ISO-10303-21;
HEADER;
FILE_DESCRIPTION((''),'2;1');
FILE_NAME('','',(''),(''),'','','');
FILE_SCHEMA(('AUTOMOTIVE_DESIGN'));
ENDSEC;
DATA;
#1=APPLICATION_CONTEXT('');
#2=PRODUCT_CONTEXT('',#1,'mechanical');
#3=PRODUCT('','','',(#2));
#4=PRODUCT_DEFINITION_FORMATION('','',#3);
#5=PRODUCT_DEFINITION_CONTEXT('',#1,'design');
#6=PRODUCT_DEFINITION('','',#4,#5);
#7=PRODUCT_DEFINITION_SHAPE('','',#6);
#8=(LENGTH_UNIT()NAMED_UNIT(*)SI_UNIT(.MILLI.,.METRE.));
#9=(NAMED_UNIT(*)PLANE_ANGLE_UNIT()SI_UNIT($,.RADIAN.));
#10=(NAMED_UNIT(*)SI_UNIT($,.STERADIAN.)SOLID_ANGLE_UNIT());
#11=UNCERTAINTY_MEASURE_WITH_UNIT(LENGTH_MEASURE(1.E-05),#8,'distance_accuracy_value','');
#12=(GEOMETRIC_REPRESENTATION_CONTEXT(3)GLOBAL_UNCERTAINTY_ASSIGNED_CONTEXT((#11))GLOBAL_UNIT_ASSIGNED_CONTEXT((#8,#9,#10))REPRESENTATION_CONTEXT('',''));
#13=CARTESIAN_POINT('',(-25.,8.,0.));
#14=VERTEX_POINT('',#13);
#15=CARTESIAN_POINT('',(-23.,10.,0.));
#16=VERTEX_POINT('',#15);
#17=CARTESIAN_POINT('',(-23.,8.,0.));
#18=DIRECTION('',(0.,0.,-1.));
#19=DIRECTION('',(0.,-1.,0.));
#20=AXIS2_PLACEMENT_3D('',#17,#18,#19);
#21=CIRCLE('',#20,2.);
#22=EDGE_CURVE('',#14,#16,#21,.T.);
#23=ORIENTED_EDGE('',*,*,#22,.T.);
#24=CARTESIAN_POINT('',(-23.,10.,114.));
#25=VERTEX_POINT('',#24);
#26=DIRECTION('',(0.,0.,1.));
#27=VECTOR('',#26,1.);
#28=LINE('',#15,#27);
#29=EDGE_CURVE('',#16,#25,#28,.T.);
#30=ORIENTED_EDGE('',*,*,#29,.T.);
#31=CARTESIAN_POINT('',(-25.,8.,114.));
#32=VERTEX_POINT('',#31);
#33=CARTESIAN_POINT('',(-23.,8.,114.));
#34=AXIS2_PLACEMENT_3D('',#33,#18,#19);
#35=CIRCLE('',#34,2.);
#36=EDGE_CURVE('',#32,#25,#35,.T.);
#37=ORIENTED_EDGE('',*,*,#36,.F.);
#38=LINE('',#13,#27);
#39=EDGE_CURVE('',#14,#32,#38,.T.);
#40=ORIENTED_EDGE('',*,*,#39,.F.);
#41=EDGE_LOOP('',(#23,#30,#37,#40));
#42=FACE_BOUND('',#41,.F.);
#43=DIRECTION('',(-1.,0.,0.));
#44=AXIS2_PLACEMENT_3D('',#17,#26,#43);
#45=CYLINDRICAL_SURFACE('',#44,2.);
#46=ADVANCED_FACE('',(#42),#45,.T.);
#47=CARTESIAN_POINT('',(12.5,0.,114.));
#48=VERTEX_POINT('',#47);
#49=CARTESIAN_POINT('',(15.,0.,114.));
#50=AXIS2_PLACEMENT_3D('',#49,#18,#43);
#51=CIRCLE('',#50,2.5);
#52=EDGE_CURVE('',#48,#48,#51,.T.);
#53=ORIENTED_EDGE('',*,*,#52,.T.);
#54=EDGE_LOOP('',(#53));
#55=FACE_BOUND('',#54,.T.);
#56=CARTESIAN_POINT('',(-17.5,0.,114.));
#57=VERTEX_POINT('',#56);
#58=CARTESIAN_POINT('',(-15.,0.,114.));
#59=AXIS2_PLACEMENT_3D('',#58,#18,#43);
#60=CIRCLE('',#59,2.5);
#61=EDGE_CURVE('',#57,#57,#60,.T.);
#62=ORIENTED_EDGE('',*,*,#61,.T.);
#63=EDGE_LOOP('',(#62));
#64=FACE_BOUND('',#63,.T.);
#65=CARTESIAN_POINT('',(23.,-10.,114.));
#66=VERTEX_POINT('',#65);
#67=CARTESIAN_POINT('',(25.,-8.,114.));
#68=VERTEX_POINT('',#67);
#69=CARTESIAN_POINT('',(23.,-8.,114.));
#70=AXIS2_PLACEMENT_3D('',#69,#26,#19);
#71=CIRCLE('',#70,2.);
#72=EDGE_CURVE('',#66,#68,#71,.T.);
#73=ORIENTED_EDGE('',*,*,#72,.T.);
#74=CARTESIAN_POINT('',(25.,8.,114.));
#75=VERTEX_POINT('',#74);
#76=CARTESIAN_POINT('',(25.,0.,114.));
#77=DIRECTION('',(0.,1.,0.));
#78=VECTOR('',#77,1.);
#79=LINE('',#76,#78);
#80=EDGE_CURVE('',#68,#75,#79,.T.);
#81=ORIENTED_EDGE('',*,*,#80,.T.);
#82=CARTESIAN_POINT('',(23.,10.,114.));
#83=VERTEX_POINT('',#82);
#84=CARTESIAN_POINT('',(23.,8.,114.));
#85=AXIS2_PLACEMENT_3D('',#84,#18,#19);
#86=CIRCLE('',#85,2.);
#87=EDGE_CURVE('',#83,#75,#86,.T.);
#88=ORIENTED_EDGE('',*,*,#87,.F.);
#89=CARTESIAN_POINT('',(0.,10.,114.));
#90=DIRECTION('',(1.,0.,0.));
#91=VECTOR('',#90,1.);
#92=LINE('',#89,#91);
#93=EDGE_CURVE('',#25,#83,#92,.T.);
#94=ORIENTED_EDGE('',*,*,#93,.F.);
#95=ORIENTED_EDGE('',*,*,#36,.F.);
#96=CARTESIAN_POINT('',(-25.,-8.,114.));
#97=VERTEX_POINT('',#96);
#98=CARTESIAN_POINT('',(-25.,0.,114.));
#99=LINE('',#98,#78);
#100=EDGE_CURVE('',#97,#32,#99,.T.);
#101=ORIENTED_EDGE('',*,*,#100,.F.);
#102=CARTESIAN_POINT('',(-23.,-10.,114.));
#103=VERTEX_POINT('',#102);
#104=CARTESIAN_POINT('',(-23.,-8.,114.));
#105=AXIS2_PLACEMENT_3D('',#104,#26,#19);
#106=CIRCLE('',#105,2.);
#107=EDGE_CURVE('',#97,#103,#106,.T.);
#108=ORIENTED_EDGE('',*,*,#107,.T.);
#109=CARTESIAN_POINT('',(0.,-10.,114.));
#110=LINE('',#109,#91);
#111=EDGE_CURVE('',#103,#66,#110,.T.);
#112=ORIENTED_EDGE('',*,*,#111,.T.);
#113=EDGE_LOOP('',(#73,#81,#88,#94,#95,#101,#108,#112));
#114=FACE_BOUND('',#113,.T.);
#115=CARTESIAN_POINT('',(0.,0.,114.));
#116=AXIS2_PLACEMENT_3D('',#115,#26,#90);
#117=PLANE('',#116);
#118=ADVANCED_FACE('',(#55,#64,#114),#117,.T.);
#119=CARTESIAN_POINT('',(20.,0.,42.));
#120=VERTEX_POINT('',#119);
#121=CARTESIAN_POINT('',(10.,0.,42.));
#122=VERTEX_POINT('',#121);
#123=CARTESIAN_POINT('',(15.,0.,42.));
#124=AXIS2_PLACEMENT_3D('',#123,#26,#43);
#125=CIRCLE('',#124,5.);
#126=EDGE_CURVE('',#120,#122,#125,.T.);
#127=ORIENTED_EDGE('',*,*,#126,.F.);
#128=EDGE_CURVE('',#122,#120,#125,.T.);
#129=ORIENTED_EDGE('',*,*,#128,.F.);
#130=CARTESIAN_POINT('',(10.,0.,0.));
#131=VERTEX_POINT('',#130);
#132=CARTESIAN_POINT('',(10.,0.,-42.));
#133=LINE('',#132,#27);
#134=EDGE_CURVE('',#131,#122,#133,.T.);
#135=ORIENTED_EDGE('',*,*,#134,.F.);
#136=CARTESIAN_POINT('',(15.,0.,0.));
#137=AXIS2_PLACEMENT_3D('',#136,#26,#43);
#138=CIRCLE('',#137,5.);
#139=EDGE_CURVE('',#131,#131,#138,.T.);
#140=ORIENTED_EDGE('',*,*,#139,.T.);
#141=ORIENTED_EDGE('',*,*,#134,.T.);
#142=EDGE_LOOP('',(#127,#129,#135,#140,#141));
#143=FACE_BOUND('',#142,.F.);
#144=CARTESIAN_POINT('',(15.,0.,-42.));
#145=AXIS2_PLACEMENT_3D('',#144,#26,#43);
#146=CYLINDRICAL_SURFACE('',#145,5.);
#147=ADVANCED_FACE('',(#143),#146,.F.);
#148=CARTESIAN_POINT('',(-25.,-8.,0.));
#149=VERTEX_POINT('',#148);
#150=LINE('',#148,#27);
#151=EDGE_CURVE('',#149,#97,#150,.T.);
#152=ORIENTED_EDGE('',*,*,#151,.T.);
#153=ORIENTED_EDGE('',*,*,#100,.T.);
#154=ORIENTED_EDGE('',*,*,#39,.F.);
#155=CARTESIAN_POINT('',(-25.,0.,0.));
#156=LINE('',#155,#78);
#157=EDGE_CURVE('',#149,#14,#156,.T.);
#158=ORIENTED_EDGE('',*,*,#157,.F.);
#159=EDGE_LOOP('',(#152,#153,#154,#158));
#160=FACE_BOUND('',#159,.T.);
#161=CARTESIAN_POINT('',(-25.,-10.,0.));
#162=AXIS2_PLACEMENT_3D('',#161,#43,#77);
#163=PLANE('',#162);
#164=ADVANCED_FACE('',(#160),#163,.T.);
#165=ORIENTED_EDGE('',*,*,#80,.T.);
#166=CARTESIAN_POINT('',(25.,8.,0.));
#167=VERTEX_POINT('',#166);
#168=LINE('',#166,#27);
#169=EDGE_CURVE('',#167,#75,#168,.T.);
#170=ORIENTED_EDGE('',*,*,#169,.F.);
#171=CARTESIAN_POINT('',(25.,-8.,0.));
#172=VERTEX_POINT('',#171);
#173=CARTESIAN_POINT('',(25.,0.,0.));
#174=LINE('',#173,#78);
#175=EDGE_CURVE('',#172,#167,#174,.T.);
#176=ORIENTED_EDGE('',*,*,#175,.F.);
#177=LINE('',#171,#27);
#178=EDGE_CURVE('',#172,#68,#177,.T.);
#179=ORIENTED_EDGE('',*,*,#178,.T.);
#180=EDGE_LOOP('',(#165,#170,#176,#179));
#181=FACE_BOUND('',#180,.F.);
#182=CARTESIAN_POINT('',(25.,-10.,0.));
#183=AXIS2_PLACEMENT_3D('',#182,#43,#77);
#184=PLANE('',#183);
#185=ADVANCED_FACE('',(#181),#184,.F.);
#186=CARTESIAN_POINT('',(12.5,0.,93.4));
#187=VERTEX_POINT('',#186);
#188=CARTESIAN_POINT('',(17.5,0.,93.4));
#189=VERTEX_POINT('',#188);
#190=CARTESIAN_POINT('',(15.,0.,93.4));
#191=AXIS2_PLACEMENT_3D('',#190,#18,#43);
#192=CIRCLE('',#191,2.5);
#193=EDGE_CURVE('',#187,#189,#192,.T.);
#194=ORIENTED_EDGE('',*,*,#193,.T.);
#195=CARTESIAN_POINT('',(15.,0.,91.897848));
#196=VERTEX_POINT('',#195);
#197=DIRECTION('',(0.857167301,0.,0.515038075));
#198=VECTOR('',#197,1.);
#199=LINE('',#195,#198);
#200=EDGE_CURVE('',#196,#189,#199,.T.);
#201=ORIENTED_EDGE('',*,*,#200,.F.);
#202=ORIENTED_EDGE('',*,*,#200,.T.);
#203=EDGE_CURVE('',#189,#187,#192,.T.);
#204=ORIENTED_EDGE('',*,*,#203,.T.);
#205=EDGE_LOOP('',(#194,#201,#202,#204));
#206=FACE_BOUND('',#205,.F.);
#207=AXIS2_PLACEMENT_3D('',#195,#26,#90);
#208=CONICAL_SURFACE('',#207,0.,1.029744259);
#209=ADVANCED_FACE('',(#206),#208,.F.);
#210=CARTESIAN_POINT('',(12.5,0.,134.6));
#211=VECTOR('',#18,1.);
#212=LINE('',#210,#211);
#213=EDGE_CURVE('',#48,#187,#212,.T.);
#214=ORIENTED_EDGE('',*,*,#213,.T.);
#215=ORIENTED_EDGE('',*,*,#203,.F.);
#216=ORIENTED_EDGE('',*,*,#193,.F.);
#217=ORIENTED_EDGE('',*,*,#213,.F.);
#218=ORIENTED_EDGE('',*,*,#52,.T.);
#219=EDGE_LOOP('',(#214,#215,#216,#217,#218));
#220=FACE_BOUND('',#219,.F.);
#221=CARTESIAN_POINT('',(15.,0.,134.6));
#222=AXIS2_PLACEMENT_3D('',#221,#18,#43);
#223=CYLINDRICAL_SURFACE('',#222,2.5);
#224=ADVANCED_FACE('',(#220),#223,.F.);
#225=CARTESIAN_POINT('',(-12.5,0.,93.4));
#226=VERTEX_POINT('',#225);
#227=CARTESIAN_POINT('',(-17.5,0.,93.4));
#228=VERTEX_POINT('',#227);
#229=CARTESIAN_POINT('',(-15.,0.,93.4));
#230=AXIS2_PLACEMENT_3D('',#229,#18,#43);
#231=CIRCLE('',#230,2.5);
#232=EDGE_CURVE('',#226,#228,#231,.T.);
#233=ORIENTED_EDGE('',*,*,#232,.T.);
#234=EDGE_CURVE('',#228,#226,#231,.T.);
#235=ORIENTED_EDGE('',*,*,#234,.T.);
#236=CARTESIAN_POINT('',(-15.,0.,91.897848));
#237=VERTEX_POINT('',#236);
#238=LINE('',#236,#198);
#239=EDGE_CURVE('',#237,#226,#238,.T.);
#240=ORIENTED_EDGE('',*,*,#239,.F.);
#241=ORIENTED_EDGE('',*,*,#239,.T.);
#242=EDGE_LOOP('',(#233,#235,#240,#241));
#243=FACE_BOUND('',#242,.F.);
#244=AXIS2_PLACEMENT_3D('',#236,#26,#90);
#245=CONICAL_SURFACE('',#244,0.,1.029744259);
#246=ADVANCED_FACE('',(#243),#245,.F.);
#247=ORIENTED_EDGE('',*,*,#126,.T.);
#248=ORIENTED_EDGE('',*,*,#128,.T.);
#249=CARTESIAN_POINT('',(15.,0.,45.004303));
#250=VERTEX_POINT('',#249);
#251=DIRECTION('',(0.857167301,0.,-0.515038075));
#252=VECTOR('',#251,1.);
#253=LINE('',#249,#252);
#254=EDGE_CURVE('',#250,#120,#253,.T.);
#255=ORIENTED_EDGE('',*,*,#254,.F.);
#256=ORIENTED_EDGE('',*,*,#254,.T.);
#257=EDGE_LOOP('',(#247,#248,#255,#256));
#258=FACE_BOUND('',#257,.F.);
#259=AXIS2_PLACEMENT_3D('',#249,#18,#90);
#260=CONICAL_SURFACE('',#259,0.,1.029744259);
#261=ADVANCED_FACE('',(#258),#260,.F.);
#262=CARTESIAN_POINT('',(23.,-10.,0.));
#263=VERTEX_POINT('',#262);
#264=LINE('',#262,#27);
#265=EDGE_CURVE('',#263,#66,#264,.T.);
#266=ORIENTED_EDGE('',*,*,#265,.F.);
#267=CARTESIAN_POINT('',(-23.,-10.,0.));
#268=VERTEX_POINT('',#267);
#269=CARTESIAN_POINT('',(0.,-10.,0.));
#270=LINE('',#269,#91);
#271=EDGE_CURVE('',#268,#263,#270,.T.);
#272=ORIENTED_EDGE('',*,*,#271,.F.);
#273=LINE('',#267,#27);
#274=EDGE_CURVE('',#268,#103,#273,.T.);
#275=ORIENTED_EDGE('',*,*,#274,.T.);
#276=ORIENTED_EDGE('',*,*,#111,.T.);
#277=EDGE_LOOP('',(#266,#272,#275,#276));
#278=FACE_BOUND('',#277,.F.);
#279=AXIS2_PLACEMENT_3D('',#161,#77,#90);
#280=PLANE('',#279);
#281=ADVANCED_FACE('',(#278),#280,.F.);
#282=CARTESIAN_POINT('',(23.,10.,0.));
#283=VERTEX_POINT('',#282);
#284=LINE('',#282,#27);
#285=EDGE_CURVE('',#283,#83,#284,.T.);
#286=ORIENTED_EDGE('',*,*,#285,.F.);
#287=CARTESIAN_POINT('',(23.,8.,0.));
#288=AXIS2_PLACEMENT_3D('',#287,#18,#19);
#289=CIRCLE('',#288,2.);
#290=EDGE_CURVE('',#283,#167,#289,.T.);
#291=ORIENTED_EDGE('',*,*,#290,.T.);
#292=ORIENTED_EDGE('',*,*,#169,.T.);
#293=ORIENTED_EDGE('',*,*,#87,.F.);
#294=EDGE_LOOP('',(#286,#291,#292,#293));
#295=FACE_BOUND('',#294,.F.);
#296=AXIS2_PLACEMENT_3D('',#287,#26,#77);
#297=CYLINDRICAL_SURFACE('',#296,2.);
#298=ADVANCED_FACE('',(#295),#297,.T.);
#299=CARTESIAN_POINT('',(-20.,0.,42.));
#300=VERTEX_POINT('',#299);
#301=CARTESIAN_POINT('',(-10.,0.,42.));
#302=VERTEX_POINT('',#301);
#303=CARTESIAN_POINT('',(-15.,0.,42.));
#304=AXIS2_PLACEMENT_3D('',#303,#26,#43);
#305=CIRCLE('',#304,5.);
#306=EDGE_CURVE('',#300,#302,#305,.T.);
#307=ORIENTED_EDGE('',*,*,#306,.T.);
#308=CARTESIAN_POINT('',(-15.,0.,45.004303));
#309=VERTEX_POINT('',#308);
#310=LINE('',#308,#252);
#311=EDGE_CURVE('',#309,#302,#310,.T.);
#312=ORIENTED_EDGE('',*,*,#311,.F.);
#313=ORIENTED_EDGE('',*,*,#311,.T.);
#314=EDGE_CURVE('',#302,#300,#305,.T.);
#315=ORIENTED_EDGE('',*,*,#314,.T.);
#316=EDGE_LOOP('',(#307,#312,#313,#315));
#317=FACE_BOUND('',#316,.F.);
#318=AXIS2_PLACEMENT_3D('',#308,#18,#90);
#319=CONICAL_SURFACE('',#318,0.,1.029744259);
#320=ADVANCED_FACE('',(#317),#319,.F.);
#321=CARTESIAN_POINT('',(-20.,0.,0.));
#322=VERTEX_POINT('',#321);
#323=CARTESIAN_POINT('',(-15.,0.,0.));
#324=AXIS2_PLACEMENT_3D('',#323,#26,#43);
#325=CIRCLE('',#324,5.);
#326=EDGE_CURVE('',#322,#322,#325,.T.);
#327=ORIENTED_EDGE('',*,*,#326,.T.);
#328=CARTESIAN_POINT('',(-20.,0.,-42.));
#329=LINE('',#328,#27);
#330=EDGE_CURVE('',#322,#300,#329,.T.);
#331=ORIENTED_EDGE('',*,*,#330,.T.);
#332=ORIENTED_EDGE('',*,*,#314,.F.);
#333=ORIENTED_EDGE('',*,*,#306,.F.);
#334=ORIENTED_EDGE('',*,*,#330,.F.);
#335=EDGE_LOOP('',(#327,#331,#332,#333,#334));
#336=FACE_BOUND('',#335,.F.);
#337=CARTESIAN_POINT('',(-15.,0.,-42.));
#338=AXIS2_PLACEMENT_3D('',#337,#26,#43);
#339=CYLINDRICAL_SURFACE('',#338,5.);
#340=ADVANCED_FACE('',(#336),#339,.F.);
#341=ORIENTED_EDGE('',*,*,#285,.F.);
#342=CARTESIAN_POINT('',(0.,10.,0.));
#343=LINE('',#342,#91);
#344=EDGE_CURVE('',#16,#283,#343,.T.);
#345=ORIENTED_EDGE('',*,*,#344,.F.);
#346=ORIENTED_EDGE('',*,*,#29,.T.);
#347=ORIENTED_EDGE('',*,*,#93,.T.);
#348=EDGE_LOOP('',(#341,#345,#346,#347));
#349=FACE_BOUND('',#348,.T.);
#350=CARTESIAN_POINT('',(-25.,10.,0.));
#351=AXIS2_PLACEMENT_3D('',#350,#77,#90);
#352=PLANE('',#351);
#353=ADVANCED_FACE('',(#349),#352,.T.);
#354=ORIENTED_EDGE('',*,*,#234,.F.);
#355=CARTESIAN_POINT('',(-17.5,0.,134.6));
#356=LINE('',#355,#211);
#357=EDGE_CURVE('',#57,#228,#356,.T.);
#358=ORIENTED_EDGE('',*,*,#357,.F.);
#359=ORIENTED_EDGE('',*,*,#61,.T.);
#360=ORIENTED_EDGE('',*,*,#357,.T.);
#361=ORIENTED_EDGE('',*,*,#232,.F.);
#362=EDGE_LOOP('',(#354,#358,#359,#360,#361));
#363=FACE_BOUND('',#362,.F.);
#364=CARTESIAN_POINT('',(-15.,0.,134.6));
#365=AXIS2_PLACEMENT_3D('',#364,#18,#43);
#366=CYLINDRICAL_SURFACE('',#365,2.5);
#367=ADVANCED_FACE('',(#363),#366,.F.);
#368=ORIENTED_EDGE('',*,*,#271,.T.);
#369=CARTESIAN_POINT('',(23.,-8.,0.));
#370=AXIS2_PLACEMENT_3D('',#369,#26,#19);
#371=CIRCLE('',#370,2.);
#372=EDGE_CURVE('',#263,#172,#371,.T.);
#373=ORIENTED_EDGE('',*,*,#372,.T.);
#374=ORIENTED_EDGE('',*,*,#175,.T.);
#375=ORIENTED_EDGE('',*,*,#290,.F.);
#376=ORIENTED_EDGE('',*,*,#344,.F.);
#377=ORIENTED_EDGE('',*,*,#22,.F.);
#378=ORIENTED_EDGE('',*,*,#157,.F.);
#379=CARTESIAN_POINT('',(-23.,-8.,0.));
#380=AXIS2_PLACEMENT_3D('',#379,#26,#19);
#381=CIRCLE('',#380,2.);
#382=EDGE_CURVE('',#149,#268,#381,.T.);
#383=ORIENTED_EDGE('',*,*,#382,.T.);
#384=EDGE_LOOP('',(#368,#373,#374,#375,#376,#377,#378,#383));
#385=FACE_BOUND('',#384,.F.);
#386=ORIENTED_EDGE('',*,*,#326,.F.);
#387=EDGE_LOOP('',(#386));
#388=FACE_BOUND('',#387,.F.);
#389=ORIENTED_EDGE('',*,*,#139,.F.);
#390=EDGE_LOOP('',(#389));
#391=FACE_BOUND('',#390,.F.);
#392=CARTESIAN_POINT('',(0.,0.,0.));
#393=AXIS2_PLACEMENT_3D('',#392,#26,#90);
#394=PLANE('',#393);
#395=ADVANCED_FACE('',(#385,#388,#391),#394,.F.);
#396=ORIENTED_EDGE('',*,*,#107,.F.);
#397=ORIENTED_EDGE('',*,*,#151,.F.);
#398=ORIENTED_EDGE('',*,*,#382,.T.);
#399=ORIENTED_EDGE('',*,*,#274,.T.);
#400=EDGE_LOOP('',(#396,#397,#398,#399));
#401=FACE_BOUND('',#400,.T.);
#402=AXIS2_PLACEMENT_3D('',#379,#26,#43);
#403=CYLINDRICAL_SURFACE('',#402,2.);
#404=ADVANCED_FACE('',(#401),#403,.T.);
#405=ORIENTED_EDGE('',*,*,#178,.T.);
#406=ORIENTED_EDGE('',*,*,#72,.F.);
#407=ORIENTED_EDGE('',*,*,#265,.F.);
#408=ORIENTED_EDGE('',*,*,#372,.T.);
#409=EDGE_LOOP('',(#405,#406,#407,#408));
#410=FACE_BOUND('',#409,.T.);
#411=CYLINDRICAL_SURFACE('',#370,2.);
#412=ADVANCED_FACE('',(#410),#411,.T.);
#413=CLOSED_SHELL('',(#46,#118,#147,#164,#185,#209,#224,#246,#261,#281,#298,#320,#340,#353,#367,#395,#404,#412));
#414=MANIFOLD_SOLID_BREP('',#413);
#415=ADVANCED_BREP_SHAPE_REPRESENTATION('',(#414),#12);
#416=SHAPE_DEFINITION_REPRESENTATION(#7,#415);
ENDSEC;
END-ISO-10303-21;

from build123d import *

# Parameters (mm, degrees)
F0_W     = 50
F0_H     = 20
F1_DEPTH = 114
F3_D     = 5
F3_DEPTH = 20.6
F3_TIP   = 1.5021515476
F5_D     = 10
F5_DEPTH = 42
F5_TIP   = 3.0043030951
F6_R     = 2


with BuildPart() as f1:
    # F0 (on Top) → F1 (new body)
    with BuildSketch(Plane.XY):
        Rectangle(F0_W, F0_H)
    extrude(amount=F1_DEPTH)

    # F3
    with Locations(Plane.XY.offset(114)):
        with Locations((-15, 0), (15, 0)):
            Hole(F3_D / 2, depth=F3_DEPTH)
            with Locations((0, 0, -(F3_DEPTH + F3_TIP / 2))):  # 118° drill point
                Cone(0, F3_D / 2, F3_TIP, mode=Mode.SUBTRACT)

    # F5
    with Locations(Plane(origin=(0, 0, 0), x_dir=(1, 0, 0), z_dir=(0, 0, -1))):
        with Locations((-15, 0), (15, 0)):
            Hole(F5_D / 2, depth=F5_DEPTH)
            with Locations((0, 0, -(F5_DEPTH + F5_TIP / 2))):  # 118° drill point
                Cone(0, F5_D / 2, F5_TIP, mode=Mode.SUBTRACT)

    # F6
    f6_edges = [f1.edges().sort_by_distance(p)[0] for p in [
        (25, -10, 57),
        (-25, -10, 57),
        (-25, 10, 57),
        (25, 10, 57),
    ]]
    fillet(f6_edges, radius=F6_R)


solid = f1.part
